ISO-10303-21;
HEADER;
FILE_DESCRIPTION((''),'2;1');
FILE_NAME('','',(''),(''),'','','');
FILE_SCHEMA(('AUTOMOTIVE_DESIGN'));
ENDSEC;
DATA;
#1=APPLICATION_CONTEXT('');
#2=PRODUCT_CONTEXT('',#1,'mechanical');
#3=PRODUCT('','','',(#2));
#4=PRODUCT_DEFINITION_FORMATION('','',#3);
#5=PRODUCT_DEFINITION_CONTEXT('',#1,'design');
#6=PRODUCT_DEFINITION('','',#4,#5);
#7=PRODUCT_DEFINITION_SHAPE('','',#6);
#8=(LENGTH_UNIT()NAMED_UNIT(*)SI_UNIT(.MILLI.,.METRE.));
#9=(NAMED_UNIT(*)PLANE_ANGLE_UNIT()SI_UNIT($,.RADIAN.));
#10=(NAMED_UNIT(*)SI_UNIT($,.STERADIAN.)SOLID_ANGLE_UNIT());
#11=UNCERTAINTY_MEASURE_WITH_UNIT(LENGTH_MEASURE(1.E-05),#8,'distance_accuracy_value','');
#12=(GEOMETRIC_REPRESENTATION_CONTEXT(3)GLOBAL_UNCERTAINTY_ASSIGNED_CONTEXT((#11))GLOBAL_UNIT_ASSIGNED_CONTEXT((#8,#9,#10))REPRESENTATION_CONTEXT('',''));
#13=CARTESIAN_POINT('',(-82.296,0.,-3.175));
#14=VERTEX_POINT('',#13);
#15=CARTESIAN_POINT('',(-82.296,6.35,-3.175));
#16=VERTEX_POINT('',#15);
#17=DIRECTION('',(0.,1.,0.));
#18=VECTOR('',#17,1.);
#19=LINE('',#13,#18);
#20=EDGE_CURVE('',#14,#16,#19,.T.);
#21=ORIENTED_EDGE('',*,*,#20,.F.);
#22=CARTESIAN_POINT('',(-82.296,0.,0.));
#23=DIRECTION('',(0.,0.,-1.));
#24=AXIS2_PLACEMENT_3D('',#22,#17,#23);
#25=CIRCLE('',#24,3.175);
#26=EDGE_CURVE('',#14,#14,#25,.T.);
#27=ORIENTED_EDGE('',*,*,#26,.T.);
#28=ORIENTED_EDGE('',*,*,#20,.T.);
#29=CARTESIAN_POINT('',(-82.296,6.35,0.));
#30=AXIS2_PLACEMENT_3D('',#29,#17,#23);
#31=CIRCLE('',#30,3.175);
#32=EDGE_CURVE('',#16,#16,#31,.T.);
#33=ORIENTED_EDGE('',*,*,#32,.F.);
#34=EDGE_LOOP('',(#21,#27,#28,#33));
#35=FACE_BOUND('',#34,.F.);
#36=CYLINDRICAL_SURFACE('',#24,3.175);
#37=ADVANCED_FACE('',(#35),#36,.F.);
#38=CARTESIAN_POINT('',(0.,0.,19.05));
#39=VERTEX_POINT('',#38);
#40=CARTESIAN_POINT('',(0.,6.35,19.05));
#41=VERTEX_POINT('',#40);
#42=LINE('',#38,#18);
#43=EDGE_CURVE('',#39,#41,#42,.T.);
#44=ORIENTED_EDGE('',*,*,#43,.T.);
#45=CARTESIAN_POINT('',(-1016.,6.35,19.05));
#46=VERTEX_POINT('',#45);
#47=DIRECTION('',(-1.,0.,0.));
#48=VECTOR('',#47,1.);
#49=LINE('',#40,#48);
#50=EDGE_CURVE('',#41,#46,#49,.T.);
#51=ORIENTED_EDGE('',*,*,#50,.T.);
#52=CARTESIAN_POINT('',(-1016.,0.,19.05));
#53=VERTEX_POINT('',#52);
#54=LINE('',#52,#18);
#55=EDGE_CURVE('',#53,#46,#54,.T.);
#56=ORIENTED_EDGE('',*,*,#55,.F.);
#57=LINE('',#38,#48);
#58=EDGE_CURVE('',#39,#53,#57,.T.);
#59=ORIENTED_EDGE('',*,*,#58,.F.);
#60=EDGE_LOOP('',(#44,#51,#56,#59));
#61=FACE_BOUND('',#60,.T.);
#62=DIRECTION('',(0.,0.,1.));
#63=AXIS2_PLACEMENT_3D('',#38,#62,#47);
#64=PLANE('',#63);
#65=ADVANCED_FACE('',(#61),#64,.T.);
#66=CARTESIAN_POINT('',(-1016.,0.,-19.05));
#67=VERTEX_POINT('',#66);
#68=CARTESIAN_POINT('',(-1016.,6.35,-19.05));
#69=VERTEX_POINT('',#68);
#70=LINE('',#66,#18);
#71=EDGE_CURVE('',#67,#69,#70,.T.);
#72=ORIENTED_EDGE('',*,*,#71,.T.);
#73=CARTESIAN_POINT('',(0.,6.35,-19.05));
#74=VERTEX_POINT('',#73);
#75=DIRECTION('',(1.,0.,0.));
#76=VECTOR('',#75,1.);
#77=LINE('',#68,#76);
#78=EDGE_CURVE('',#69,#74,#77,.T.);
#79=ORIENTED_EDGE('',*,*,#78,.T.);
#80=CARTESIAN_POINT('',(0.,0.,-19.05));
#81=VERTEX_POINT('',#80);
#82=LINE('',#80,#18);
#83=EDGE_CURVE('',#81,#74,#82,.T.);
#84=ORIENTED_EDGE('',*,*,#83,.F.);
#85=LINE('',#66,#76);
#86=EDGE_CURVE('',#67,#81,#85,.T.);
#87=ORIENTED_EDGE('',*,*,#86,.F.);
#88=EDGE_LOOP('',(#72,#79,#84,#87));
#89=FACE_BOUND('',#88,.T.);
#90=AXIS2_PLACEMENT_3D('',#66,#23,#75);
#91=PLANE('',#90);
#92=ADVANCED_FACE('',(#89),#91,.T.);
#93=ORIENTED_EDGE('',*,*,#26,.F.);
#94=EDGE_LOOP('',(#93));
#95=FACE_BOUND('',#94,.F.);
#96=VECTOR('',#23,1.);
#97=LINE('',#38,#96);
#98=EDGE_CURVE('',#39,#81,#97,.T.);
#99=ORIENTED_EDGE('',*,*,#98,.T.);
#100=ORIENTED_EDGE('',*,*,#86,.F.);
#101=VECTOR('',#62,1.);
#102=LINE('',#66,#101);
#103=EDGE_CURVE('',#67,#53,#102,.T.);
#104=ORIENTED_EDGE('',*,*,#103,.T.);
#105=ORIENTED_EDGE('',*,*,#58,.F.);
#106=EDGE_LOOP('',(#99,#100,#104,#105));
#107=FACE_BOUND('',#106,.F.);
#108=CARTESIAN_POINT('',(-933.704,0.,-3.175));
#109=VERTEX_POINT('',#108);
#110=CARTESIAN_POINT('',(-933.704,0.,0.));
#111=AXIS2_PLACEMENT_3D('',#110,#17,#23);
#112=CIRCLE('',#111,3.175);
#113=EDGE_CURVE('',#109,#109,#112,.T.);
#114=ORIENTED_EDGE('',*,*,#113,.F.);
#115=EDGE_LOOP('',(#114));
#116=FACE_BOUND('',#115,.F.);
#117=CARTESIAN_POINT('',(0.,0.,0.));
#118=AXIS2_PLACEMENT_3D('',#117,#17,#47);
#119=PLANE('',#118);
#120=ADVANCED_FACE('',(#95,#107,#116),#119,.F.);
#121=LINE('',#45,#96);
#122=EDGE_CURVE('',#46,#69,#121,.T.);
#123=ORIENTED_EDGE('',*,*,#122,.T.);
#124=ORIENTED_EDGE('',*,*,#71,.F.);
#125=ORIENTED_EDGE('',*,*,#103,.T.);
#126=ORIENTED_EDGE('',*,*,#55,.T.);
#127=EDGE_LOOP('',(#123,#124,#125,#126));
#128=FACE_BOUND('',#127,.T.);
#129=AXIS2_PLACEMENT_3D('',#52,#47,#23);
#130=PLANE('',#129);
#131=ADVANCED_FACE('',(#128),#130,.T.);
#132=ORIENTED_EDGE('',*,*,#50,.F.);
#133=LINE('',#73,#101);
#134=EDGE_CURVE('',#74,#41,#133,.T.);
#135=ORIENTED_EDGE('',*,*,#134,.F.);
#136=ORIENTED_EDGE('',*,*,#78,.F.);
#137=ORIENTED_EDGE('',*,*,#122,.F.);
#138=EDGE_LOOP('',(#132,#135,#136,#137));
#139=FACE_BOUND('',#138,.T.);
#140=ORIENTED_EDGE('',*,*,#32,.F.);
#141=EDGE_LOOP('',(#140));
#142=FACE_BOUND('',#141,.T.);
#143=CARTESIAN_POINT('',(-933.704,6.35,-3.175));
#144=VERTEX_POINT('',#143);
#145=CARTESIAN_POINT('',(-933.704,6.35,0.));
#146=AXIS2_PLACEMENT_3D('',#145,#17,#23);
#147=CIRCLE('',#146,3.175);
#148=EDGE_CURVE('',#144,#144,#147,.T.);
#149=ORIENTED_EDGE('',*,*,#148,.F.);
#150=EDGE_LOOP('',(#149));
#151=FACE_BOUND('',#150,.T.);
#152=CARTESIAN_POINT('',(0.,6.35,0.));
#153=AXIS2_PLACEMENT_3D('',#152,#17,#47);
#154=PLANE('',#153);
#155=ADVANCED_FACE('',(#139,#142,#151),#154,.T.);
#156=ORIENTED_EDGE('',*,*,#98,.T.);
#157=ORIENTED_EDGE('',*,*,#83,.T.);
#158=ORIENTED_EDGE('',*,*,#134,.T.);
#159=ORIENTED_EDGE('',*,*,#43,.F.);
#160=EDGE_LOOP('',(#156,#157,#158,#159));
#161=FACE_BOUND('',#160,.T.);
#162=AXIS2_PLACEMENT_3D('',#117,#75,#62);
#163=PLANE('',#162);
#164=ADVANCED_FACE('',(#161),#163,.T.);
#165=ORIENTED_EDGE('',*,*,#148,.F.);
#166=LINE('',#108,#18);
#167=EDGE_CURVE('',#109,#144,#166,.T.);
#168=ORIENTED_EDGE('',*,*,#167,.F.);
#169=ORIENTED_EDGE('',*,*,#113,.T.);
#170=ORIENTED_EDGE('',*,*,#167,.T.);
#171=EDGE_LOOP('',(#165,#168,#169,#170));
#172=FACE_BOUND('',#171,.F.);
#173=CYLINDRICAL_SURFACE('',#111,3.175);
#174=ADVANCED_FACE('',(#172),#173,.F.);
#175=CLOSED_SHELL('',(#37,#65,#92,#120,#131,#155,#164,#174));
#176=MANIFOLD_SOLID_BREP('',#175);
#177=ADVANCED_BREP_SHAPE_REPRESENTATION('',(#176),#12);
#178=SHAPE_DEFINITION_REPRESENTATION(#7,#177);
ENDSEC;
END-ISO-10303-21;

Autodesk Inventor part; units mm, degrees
ref_plane "YZ Plane" through (0, 0, 0) normal (1, 0, 0) x (0, 1, 0)
ref_plane "XZ Plane" through (0, 0, 0) normal (0, 1, 0) x (-1, 0, 0)
ref_plane "XY Plane" through (0, 0, 0) normal (0, 0, 1) x (1, 0, 0)
sketch "Sketch1" plane through (0, 0, 0) normal (0, 1, 0) x (-1, 0, 0)
  line L0 (0, 19.05) -> (1016, 19.05)
  line L1 (1016, 19.05) -> (1016, -19.05)
  line L2 (1016, -19.05) -> (0, -19.05)
  line L3 (0, -19.05) -> (0, 19.05)
  line L4 (0, 19.05) -> (1016, -19.05) construction
  line L5 (1016, 19.05) -> (0, -19.05) construction
  line L6 (1219.2, 0) -> (-203.2, 0) projected
  point P0 (0, 0)
  point P1 (508, 0)
  point P2 (0, 0)
  point P3 (82.296, 0)
  point P4 (933.704, 0)
  dimension "d0" = 1016
  dimension "d1" = 38.1
  dimension "d4" = 82.296
  dimension "d5" = 82.296
extrude "Extrusion1" add sketch "Sketch1" along normal blind 6.35
hole "Hole1" at (-933.704, 0, 0) at (-82.296, 0, 0) direction (0, 1, 0) diameter 6.35 end through all
properties part number "Top Brace"
